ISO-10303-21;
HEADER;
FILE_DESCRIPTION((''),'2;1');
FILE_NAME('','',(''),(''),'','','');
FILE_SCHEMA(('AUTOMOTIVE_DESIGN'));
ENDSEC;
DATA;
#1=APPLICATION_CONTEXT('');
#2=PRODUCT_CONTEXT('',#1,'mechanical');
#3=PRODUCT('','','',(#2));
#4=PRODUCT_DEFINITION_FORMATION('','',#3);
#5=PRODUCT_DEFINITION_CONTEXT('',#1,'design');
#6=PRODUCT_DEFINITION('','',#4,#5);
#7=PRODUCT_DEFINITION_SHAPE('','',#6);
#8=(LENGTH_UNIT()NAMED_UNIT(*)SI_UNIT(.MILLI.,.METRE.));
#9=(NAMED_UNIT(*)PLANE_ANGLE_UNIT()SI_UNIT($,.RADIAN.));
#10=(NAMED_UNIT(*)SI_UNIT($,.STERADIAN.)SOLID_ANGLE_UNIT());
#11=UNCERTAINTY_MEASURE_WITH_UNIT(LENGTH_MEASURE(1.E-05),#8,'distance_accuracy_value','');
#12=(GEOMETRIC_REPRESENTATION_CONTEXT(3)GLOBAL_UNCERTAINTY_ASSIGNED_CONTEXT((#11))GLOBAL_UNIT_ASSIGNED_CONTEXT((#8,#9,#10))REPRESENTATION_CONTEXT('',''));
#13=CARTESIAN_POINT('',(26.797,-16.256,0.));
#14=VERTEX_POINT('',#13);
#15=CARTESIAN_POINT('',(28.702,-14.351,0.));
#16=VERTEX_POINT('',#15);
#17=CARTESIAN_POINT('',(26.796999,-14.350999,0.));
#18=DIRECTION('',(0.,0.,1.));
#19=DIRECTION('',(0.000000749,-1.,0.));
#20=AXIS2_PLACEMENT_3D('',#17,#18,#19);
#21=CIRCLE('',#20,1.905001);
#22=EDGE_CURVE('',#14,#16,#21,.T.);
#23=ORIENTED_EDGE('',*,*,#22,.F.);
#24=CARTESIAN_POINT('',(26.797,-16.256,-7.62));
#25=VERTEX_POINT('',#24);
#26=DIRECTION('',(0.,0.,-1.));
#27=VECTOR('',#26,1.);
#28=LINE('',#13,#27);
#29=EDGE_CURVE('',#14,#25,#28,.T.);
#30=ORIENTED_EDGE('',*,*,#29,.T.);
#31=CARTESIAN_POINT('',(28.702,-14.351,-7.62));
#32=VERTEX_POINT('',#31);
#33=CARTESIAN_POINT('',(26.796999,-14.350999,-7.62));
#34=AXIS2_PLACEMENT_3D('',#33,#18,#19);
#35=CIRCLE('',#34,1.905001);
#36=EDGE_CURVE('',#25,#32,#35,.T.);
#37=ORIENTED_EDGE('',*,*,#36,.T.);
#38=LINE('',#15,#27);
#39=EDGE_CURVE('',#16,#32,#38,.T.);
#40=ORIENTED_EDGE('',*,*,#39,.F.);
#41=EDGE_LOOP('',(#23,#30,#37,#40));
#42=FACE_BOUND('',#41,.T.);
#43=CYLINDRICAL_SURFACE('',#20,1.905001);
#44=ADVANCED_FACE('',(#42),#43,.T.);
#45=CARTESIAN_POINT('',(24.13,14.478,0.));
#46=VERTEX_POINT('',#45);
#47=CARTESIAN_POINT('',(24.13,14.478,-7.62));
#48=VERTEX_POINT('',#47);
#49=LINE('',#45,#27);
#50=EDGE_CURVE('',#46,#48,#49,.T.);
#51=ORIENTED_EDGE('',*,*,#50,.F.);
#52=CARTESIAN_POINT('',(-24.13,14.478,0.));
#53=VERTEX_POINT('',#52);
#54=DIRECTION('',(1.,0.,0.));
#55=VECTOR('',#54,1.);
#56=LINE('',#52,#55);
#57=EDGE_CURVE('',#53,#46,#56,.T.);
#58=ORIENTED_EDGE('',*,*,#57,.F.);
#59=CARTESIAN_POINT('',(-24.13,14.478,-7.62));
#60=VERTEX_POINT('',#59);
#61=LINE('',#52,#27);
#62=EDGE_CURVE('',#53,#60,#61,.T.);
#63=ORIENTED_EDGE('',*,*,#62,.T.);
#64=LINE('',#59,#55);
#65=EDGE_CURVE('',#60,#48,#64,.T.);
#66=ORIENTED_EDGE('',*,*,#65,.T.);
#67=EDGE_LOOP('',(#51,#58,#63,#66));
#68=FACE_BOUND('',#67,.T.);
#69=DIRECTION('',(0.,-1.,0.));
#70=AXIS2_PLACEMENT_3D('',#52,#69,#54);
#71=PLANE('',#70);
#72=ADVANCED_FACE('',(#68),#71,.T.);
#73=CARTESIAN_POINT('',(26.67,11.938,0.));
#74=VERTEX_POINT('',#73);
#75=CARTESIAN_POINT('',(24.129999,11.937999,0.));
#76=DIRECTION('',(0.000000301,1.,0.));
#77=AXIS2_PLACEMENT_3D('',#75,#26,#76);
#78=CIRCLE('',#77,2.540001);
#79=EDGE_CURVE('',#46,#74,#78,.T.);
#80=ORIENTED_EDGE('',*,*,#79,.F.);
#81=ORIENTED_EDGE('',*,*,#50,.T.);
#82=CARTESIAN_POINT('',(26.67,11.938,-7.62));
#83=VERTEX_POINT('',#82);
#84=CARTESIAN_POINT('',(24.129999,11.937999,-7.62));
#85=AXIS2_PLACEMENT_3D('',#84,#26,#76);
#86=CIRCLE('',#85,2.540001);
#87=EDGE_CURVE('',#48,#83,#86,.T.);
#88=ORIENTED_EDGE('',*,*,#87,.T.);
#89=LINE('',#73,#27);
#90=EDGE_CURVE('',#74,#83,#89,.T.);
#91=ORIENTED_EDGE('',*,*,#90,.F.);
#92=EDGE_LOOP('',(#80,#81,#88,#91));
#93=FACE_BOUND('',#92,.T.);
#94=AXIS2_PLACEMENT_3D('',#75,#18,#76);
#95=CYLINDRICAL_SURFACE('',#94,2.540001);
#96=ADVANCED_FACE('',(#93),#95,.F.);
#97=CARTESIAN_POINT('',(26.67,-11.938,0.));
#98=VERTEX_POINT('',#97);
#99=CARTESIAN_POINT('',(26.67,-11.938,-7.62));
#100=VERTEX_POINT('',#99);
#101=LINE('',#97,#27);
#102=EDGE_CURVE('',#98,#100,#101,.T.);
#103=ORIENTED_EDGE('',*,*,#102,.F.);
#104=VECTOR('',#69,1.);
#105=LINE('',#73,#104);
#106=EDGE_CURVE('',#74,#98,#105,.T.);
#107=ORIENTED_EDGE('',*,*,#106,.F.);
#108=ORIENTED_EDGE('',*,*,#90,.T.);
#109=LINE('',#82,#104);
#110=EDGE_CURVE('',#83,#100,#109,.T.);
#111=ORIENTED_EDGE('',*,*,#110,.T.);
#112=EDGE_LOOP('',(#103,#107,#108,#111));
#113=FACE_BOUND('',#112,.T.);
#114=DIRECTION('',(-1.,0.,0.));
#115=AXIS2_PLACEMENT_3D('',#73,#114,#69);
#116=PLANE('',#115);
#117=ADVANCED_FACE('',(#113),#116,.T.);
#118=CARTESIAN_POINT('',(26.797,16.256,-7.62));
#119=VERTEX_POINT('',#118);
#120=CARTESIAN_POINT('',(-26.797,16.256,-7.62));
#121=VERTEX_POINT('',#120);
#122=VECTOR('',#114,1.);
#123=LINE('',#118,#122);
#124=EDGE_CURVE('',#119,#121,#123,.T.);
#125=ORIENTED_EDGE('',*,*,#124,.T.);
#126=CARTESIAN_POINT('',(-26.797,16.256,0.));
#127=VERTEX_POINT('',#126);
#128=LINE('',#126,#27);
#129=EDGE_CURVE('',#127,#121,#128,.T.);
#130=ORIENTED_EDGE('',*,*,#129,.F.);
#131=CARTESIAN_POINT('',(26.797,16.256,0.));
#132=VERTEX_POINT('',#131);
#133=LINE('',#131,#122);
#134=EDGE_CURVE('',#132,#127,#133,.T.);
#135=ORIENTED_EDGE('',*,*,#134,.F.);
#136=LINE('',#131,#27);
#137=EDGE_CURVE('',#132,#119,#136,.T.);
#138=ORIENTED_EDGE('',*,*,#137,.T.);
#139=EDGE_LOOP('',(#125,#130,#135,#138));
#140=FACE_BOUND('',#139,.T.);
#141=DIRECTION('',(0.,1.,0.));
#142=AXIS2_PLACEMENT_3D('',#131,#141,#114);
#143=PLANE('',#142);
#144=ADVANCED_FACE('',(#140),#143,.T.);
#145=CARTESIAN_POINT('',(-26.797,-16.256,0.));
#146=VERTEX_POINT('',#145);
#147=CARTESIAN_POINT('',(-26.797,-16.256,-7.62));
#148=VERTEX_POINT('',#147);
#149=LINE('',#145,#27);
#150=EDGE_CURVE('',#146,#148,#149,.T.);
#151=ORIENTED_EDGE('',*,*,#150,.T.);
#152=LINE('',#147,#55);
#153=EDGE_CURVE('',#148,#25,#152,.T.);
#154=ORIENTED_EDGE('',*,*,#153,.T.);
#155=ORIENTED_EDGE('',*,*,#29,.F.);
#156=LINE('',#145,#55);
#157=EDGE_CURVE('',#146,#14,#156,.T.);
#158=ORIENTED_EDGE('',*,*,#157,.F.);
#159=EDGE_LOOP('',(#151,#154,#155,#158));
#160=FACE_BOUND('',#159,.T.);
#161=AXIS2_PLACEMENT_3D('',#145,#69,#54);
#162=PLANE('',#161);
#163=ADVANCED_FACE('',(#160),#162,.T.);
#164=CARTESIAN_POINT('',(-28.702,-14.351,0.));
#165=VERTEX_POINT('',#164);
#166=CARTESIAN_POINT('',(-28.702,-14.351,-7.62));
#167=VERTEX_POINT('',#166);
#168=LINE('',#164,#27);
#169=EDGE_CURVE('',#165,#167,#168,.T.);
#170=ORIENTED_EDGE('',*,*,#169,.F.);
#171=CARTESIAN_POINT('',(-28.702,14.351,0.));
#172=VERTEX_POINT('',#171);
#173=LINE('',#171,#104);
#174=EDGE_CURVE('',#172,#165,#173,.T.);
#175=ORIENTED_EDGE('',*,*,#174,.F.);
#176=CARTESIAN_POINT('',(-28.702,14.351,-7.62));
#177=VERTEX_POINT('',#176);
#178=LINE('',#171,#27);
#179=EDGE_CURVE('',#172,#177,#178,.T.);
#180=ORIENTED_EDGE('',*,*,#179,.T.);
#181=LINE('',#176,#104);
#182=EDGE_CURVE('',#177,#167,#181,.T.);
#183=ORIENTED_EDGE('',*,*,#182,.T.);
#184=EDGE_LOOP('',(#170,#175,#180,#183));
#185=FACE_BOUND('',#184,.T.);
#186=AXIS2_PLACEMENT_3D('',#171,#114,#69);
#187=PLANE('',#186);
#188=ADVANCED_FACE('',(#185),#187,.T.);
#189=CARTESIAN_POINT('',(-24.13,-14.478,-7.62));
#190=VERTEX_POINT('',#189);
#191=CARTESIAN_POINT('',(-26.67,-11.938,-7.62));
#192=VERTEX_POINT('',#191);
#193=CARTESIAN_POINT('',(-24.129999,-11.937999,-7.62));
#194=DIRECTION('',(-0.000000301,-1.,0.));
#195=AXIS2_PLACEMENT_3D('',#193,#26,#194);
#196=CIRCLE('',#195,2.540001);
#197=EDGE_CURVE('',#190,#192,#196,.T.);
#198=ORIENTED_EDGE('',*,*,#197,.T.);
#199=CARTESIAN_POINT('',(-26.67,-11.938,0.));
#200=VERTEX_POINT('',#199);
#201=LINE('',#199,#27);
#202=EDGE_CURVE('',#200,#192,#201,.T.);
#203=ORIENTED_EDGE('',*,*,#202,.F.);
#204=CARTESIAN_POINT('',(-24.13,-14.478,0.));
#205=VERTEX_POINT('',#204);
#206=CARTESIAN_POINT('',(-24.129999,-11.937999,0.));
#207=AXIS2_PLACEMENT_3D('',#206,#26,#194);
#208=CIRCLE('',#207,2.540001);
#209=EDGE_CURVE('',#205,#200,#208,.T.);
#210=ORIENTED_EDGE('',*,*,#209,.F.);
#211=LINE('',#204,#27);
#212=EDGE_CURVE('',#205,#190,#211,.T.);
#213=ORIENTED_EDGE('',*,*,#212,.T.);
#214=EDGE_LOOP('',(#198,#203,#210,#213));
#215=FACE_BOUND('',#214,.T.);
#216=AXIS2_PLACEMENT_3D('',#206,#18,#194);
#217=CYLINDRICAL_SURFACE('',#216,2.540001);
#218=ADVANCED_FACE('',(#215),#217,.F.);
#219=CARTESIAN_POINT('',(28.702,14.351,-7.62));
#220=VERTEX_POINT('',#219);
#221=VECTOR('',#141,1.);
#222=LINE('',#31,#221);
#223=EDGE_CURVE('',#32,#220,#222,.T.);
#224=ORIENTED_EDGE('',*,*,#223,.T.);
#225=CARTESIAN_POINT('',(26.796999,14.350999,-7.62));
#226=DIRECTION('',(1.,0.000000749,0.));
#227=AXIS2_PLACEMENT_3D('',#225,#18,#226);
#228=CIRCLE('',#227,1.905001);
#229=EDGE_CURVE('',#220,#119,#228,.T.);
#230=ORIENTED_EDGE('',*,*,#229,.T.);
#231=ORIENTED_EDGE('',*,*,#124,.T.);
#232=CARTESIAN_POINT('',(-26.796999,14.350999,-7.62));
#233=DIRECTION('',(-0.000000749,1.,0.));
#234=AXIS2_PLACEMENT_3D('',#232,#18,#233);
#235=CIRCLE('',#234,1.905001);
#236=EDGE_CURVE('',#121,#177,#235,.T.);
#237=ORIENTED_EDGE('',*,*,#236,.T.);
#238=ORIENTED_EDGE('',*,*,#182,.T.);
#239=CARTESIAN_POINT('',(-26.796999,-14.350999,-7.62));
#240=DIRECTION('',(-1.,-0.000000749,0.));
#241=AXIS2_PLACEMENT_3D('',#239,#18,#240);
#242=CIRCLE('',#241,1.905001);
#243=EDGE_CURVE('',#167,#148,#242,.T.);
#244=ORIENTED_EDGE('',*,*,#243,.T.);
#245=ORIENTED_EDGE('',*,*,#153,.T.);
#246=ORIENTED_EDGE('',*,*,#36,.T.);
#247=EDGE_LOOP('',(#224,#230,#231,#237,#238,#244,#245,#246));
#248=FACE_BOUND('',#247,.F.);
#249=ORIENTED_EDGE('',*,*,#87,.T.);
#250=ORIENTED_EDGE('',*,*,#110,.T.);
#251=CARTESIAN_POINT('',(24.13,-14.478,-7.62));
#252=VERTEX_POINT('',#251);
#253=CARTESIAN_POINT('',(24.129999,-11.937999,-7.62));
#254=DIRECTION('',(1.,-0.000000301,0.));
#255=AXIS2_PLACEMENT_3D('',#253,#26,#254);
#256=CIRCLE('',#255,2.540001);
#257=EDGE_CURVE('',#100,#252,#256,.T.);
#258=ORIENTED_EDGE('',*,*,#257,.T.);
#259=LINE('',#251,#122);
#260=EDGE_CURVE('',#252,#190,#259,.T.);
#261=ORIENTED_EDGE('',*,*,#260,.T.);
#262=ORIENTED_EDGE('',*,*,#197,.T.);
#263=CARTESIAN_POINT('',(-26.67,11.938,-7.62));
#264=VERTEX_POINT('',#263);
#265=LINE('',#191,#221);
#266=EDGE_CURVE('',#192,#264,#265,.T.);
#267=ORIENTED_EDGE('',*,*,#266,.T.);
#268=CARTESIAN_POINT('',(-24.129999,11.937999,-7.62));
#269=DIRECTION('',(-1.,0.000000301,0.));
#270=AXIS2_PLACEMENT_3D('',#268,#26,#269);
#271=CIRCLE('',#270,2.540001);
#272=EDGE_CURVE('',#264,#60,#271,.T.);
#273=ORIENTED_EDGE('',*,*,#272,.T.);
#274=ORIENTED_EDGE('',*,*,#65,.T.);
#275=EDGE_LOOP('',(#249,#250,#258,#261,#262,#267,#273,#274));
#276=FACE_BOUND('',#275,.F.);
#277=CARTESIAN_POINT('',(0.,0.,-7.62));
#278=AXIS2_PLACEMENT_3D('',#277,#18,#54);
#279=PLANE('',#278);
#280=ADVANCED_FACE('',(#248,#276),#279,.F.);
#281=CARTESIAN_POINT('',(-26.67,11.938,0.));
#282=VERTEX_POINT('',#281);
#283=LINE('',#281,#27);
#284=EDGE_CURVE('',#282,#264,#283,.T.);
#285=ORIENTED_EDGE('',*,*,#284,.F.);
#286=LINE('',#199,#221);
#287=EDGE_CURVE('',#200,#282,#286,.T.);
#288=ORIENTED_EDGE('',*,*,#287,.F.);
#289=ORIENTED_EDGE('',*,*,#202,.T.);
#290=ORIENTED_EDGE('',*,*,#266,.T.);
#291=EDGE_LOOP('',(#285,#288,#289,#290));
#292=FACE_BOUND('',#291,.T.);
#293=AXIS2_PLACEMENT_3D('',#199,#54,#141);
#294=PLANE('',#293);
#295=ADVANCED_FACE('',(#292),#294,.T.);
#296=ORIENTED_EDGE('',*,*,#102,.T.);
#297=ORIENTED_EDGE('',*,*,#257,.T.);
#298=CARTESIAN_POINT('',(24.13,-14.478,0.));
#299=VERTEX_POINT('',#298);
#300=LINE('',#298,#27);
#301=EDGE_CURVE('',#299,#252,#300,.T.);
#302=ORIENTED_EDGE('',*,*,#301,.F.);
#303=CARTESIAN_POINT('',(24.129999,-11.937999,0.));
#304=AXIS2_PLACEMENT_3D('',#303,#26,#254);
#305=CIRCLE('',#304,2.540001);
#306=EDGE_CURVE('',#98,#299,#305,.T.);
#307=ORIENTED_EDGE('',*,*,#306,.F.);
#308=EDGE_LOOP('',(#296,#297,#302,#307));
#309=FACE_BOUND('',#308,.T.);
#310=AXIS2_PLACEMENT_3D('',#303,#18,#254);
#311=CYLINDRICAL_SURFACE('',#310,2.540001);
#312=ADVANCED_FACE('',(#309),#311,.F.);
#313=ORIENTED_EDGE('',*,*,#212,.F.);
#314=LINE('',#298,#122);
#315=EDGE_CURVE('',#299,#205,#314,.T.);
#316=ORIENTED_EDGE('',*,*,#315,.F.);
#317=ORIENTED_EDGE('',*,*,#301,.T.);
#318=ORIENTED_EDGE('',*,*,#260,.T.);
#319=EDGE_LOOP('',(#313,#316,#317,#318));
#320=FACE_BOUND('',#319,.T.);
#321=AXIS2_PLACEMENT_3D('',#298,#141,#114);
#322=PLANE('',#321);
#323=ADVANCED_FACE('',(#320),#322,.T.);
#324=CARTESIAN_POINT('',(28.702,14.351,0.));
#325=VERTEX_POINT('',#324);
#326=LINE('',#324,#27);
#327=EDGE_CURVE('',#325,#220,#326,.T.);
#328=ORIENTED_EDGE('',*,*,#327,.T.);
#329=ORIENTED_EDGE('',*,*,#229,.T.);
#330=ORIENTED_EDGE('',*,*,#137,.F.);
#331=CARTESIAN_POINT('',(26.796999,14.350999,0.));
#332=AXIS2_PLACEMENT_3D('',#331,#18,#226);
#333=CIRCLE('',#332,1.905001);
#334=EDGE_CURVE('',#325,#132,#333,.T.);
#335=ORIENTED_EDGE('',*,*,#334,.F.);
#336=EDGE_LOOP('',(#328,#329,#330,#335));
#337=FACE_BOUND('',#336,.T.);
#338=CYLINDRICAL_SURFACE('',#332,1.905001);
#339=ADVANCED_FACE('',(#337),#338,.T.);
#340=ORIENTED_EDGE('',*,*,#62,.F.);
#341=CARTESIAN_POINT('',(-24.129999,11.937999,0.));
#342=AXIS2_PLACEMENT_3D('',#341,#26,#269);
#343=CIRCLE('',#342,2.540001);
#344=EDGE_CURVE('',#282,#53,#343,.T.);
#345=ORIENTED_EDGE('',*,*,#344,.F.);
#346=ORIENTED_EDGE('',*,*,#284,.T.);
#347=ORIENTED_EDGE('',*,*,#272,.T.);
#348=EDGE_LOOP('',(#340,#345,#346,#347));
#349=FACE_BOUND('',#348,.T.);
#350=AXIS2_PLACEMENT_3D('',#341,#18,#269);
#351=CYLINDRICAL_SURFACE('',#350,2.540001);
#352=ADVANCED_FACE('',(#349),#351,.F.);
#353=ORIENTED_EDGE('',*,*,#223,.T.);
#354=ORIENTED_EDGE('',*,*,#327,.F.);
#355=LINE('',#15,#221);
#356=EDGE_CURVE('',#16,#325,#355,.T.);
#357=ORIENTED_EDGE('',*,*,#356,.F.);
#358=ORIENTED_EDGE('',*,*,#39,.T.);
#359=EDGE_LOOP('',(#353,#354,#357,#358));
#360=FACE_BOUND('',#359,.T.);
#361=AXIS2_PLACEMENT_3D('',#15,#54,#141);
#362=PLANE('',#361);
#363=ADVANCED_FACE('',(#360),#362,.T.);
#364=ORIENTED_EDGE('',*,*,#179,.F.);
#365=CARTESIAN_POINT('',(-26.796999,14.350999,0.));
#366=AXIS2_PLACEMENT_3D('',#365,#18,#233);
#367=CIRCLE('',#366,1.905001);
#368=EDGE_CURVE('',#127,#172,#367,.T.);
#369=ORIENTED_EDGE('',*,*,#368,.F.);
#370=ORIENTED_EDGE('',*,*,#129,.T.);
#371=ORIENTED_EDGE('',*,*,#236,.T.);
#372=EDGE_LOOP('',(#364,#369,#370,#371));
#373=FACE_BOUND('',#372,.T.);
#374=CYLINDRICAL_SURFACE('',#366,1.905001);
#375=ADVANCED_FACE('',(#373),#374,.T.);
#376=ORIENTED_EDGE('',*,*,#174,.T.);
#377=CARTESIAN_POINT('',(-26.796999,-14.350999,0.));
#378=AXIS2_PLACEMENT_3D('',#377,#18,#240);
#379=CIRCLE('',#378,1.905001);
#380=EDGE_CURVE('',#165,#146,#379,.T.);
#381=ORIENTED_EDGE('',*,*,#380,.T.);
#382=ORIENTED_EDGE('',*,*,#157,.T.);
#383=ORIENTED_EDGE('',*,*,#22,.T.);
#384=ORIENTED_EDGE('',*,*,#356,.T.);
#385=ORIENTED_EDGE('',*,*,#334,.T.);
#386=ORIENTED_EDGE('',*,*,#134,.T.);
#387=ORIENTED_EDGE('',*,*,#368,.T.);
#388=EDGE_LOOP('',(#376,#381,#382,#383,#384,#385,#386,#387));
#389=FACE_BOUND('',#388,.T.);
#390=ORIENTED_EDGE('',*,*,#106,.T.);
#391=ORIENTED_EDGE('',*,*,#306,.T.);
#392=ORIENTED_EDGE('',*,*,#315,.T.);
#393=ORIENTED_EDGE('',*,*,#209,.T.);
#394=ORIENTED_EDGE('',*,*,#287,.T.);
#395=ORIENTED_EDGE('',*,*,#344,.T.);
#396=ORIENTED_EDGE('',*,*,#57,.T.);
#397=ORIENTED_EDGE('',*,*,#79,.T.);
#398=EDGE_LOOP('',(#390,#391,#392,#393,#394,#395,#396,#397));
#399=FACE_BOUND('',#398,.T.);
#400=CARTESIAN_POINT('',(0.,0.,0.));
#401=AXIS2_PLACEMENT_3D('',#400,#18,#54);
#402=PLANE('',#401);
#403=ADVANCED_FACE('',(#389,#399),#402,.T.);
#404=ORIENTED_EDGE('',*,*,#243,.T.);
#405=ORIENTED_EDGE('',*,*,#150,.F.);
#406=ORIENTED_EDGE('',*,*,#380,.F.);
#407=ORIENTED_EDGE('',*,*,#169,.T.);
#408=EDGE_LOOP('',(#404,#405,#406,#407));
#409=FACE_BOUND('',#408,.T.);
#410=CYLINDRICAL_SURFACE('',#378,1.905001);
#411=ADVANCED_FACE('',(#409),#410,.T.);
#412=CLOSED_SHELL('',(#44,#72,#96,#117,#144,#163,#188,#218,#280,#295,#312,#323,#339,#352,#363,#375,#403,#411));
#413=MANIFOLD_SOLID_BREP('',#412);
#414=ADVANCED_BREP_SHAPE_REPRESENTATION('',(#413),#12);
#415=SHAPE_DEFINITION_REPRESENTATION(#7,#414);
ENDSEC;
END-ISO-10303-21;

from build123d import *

# Parameters (mm, degrees)
F1_DEPTH = 7.62


with BuildPart() as f1:
    # F0 (on Top) → F1 (new body)
    with BuildSketch(Plane.XY):
        with BuildLine():
            ThreePointArc((28.702, 14.351), (28.144038, 15.698038), (26.797, 16.256))
            Line((26.797, 16.256), (-26.797, 16.256))
            ThreePointArc((-26.797, 16.256), (-28.144038, 15.698038), (-28.702, 14.351))
            Line((-28.702, 14.351), (-28.702, -14.351))
            ThreePointArc((-28.702, -14.351), (-28.144038, -15.698038), (-26.797, -16.256))
            Line((-26.797, -16.256), (26.797, -16.256))
            ThreePointArc((26.797, -16.256), (28.144038, -15.698038), (28.702, -14.351))
            Line((28.702, -14.351), (28.702, 14.351))
        make_face()
        with BuildLine():
            Line((-24.13, 14.478), (24.13, 14.478))
            ThreePointArc((24.13, 14.478), (25.926051, 13.734051), (26.67, 11.938))
            Line((26.67, 11.938), (26.67, -11.938))
            ThreePointArc((26.67, -11.938), (25.926051, -13.734051), (24.13, -14.478))
            Line((24.13, -14.478), (-24.13, -14.478))
            ThreePointArc((-24.13, -14.478), (-25.926051, -13.734051), (-26.67, -11.938))
            Line((-26.67, -11.938), (-26.67, 11.938))
            ThreePointArc((-26.67, 11.938), (-25.926051, 13.734051), (-24.13, 14.478))
        make_face(mode=Mode.SUBTRACT)
    extrude(amount=-F1_DEPTH)


solid = f1.part
